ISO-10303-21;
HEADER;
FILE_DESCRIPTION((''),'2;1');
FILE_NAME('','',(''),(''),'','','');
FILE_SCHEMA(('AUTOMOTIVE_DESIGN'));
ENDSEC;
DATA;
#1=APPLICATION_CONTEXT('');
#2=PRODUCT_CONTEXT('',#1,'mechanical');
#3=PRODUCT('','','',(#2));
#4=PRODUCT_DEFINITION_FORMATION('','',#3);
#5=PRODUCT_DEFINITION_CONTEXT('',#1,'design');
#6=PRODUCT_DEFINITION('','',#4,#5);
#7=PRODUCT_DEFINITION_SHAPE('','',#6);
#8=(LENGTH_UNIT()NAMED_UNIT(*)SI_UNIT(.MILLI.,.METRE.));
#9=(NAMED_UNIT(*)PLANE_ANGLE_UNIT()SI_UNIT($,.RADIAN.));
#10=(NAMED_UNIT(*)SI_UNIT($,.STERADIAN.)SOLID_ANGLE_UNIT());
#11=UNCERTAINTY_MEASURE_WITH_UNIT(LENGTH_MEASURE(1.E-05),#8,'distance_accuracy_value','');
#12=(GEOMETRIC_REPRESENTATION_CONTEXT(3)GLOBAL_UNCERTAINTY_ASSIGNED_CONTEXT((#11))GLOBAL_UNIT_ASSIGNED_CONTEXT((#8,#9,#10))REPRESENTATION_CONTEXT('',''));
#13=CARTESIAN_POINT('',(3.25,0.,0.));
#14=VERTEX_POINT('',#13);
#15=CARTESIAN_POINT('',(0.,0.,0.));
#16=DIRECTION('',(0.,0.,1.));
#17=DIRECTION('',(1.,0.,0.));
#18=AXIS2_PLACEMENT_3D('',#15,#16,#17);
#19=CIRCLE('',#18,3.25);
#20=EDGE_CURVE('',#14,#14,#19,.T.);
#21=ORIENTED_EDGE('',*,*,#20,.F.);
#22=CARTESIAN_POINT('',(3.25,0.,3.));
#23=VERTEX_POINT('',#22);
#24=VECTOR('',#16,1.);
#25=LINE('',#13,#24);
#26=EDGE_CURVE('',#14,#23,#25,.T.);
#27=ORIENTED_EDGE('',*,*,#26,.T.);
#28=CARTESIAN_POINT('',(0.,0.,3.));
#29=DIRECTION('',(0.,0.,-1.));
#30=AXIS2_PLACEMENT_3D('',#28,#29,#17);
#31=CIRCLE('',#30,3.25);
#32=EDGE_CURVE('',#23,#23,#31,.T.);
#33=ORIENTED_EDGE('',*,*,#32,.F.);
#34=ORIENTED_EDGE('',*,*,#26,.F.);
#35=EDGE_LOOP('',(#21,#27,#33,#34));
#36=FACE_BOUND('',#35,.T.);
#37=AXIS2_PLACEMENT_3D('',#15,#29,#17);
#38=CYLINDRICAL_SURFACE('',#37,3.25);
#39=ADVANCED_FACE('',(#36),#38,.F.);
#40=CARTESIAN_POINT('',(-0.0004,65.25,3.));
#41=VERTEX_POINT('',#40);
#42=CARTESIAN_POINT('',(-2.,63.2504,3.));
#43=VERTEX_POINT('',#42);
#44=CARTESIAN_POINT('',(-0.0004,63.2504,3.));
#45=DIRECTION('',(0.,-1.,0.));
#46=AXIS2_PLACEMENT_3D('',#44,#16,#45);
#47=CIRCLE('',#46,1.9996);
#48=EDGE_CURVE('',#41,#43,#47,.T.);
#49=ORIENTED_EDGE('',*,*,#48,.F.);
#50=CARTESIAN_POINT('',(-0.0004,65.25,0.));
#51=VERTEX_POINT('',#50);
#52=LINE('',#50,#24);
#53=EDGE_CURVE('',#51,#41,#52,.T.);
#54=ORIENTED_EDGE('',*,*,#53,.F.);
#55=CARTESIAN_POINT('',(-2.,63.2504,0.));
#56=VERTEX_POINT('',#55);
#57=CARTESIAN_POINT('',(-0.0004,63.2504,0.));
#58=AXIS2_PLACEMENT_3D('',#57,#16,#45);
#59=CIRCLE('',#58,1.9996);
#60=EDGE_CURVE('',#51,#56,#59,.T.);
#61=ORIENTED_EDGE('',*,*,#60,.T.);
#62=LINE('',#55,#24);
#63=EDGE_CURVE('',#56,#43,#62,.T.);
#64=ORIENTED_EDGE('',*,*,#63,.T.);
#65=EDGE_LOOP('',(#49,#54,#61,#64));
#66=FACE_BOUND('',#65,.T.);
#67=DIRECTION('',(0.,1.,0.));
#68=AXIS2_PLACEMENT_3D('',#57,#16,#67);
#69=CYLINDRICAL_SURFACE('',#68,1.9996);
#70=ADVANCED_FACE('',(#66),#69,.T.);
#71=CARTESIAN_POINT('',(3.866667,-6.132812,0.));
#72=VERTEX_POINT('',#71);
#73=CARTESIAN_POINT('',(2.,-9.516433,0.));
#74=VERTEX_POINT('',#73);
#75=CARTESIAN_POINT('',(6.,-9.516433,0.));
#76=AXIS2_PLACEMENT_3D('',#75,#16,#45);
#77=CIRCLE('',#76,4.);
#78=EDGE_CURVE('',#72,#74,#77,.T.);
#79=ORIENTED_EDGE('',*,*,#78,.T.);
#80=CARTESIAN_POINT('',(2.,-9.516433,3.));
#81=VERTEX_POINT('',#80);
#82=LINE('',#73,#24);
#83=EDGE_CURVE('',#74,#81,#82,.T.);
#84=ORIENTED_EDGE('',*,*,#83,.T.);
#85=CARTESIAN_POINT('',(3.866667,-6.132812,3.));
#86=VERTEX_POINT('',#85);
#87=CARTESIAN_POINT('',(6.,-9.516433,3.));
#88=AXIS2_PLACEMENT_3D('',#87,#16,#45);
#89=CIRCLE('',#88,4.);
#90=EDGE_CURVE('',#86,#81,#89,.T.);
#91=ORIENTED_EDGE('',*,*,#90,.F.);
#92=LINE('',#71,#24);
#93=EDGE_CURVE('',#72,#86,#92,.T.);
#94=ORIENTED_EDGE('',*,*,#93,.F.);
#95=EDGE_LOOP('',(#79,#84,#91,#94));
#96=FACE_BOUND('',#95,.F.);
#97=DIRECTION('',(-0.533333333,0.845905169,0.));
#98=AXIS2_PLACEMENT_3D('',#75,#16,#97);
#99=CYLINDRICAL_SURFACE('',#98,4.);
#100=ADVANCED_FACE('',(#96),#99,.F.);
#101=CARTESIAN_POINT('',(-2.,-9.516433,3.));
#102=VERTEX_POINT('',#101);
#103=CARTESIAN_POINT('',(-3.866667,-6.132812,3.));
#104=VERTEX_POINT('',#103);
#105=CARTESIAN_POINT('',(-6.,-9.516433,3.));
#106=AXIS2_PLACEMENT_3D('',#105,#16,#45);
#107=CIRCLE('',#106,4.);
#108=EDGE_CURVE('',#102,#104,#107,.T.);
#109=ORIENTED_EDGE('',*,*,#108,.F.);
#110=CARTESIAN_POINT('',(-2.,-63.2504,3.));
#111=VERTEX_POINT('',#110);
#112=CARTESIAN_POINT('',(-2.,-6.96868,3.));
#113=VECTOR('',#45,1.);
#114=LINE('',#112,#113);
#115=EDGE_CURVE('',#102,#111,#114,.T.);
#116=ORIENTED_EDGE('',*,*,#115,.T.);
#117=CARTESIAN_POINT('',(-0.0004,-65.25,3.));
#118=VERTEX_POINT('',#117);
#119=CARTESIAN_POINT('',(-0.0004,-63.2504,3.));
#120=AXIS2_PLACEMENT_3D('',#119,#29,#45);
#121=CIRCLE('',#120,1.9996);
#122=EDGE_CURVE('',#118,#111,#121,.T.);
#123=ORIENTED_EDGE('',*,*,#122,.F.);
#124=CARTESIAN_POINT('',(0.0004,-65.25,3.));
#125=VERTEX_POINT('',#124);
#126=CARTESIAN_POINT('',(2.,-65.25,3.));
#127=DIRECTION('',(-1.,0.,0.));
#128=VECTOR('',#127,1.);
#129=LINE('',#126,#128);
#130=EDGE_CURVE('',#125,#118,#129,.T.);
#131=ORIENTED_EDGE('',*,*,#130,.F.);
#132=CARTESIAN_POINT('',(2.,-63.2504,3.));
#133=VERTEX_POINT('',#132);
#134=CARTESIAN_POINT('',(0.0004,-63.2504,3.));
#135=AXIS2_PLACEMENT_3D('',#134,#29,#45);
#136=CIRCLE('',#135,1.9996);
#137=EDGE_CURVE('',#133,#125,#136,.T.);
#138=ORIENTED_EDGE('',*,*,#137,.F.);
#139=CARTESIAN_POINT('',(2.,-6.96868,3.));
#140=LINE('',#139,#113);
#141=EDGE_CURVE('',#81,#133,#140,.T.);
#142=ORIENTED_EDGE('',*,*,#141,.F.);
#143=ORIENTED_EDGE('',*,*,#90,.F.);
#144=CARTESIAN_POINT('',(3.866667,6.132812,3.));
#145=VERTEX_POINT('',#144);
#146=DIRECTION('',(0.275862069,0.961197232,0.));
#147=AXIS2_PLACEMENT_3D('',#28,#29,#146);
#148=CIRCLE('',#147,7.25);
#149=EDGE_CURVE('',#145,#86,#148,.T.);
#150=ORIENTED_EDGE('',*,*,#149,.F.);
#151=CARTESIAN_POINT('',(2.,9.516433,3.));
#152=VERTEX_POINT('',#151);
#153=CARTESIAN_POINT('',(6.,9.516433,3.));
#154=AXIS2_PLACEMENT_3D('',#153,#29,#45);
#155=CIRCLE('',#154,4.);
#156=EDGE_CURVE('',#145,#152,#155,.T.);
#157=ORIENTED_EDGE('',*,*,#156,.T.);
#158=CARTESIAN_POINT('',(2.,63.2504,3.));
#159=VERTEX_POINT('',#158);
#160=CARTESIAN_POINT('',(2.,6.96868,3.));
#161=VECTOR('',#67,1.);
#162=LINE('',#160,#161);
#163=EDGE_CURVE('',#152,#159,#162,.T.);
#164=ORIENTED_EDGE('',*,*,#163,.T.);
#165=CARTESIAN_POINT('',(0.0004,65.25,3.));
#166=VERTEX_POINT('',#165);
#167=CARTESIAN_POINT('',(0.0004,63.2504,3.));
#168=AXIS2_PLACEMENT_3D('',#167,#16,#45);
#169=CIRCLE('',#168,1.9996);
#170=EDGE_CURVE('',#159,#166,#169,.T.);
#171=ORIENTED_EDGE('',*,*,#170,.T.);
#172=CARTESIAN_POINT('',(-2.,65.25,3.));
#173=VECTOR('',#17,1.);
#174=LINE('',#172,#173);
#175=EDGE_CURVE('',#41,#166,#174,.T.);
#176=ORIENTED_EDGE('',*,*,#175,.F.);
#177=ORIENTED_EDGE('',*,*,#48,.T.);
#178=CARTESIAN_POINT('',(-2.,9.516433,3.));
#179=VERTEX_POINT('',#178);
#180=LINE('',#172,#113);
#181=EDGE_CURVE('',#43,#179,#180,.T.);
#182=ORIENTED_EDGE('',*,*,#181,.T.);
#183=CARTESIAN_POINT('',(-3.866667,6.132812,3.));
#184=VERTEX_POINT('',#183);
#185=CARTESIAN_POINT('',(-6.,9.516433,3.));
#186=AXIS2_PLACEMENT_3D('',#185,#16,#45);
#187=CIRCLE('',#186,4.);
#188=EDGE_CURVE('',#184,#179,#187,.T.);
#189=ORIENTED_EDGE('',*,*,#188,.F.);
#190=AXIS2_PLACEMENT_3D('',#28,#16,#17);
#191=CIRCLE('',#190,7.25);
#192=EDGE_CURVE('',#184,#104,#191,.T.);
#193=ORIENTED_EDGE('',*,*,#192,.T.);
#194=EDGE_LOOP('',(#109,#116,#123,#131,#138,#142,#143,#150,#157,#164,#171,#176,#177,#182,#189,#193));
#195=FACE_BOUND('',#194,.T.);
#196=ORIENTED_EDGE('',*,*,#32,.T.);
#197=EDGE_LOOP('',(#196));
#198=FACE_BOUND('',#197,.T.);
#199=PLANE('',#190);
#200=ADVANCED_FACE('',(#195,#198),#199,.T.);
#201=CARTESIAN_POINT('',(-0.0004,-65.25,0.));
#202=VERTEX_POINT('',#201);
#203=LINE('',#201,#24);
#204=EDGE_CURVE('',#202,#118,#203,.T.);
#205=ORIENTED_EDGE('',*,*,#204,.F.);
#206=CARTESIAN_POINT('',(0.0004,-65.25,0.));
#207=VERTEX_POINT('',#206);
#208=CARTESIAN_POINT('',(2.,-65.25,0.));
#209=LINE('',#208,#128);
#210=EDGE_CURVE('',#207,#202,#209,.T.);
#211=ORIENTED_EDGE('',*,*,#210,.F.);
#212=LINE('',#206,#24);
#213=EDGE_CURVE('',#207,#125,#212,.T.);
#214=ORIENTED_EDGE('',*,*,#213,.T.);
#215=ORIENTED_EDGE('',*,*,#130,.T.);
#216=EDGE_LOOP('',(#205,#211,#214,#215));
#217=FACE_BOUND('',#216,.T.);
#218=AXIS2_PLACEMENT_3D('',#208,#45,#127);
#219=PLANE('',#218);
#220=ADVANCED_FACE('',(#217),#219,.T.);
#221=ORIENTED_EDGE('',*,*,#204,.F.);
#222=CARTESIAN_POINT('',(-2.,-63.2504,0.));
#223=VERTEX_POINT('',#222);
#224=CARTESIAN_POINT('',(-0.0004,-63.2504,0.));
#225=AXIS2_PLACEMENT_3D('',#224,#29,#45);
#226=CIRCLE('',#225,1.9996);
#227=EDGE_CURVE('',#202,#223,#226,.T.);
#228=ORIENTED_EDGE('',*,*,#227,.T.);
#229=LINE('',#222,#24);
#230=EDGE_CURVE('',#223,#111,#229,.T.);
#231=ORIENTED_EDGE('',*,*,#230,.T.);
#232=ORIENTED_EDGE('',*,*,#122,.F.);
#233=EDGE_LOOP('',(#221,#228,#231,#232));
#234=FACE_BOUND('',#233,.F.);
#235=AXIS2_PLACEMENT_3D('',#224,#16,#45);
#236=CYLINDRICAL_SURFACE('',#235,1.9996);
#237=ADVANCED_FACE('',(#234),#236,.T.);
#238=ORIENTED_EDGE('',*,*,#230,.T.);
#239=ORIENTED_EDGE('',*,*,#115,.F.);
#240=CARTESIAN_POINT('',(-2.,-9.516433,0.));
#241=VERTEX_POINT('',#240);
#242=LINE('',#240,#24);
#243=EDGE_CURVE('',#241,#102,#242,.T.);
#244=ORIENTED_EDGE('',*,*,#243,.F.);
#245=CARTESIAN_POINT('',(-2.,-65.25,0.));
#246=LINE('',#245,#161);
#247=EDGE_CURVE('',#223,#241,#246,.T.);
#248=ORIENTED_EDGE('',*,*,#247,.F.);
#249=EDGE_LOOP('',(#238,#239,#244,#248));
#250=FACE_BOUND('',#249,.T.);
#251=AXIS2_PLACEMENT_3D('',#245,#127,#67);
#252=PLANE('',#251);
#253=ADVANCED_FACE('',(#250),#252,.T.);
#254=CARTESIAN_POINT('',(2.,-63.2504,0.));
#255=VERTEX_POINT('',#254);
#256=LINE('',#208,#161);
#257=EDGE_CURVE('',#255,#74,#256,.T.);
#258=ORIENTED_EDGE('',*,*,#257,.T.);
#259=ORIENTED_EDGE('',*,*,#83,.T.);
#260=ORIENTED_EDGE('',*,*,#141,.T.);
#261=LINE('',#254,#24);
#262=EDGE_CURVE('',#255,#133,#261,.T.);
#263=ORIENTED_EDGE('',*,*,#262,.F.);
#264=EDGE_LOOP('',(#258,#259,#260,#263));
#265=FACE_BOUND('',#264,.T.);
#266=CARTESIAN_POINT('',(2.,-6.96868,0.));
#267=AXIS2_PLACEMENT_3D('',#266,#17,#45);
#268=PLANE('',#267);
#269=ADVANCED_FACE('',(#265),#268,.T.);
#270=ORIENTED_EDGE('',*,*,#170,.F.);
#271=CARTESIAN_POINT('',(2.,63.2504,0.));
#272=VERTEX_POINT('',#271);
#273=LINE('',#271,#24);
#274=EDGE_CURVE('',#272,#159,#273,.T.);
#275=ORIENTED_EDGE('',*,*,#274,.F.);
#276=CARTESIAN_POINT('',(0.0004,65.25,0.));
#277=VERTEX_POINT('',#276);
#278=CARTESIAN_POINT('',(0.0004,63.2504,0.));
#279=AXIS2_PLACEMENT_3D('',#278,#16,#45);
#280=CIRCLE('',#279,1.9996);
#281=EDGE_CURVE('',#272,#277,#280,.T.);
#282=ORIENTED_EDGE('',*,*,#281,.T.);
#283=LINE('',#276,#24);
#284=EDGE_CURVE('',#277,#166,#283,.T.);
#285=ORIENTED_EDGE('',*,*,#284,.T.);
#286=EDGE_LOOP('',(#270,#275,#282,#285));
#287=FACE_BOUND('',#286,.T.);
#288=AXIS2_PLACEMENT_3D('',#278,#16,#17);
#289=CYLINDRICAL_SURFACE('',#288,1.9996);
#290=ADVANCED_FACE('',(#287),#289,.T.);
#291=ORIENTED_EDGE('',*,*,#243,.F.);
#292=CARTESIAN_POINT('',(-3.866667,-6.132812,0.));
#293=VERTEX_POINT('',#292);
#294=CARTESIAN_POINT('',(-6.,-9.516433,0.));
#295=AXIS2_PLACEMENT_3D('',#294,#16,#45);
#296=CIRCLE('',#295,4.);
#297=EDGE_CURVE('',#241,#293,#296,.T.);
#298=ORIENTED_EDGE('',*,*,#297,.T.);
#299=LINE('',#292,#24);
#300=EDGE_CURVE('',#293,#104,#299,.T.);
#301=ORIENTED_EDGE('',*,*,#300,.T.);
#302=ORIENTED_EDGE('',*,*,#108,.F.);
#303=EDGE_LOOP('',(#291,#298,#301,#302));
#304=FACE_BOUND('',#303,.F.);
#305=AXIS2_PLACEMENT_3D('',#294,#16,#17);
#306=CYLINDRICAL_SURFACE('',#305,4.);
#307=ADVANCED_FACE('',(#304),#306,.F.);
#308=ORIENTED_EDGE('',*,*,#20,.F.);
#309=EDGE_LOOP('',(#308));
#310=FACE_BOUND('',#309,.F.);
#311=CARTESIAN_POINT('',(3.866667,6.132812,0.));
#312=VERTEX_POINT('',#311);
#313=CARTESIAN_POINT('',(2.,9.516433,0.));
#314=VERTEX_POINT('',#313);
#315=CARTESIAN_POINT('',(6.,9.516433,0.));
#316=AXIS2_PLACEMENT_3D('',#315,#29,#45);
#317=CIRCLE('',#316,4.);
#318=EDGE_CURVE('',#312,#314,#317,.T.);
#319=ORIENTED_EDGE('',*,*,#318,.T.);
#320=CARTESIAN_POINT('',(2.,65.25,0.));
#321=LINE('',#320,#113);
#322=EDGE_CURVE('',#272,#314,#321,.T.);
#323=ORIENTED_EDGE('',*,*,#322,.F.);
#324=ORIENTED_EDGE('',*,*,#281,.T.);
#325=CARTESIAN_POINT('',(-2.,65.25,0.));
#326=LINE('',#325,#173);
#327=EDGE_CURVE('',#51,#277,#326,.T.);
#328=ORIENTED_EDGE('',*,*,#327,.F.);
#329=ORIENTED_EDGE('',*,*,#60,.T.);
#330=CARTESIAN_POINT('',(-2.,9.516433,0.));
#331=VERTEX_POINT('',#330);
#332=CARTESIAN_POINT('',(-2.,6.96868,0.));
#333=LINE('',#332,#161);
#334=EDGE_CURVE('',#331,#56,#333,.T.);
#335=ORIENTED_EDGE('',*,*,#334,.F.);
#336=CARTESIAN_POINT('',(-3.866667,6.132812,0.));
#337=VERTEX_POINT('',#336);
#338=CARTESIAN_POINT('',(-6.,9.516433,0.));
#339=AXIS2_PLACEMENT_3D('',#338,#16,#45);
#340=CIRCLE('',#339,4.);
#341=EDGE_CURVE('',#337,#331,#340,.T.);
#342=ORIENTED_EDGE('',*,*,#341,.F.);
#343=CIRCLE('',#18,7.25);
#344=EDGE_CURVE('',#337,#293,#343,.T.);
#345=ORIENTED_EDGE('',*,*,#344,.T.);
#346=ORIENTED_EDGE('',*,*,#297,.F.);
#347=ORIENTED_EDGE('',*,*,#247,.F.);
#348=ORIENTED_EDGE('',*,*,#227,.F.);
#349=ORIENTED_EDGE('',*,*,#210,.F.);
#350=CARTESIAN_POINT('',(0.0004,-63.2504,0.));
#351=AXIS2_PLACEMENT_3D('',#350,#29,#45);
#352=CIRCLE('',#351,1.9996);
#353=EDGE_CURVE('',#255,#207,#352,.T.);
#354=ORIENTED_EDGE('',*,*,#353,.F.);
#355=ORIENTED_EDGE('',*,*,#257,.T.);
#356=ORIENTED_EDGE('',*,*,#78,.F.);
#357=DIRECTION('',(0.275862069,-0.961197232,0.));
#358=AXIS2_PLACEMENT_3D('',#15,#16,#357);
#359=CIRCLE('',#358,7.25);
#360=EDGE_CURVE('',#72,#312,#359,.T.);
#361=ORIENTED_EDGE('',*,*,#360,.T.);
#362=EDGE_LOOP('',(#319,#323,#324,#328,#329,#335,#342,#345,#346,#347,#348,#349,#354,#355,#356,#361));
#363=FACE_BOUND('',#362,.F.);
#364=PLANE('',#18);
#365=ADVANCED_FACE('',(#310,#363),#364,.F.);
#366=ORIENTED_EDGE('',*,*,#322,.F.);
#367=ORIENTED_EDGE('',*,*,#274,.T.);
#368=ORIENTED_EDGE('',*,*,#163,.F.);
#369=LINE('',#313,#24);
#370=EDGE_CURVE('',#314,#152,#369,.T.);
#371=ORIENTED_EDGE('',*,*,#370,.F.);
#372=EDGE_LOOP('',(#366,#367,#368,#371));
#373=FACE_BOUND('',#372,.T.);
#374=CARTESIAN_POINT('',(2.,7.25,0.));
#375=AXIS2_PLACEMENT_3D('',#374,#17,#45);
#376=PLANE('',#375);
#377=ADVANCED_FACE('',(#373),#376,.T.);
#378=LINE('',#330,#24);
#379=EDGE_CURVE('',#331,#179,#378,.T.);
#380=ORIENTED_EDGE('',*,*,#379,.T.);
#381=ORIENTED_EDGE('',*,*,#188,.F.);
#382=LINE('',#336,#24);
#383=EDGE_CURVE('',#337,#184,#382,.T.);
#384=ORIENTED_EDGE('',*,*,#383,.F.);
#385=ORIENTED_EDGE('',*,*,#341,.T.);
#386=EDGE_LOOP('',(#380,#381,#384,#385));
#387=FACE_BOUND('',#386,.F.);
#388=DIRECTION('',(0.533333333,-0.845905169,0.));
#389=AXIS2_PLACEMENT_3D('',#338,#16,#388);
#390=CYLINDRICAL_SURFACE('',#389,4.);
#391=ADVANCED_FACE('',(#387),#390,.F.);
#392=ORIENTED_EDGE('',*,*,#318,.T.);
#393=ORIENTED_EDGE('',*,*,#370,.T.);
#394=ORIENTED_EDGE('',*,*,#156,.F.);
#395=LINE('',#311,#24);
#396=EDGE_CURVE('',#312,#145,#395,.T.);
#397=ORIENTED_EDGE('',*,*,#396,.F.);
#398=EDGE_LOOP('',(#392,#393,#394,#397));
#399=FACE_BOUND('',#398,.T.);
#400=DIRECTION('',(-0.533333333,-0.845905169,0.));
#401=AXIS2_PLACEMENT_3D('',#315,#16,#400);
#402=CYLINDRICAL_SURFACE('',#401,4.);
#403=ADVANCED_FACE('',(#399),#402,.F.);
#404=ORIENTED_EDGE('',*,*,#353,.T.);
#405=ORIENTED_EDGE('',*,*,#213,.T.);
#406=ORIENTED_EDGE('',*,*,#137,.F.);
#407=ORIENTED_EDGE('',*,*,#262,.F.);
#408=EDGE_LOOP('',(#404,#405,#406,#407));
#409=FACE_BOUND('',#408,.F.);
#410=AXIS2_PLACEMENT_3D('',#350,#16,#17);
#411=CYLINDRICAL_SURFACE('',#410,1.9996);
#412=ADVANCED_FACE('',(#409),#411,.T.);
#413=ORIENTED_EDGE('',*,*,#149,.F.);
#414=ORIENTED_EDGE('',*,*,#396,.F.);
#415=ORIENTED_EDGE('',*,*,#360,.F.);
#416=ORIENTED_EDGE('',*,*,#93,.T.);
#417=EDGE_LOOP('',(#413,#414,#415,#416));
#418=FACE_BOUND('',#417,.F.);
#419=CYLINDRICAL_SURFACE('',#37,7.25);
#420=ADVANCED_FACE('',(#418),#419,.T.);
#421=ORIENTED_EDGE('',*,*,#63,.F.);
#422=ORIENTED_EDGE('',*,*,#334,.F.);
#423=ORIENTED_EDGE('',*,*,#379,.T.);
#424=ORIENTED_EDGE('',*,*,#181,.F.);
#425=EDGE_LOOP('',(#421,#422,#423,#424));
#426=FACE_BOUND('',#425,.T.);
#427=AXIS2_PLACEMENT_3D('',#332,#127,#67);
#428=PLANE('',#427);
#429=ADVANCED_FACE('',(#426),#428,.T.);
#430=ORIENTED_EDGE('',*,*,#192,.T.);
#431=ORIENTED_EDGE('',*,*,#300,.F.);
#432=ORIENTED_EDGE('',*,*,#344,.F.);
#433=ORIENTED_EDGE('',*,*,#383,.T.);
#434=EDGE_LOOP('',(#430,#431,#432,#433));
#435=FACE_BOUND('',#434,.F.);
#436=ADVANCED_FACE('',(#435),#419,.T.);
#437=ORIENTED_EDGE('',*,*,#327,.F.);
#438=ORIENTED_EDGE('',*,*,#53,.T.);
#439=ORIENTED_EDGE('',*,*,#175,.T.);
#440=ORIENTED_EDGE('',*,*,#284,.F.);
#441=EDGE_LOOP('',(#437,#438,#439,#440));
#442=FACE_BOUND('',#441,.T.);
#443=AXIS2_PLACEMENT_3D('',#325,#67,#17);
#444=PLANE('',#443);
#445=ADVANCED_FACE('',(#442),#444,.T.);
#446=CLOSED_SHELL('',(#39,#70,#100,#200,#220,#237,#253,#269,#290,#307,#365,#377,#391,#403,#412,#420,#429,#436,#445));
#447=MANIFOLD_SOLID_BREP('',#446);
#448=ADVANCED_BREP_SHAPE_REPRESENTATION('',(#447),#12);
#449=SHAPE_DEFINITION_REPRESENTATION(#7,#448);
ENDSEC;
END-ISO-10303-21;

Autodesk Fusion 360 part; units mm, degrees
sketch "Mixer arm" plane through (0, 0, 0) normal (0, 0, 1) x (1, 0, 0)
  circle A0 centre (0, 0) radius 7.25
  circle A1 centre (0, 0) radius 3.25
  line L0 (-2, 65.25) -> (2, 65.25)
  line L1 (2, 65.25) -> (2, 3.25)
  line L2 (2, 3.25) -> (-2, 3.25)
  line L3 (-2, 3.25) -> (-2, 65.25)
  line L4 (-2, -3.25) -> (2, -3.25)
  line L5 (2, -3.25) -> (2, -65.25)
  line L6 (2, -65.25) -> (-2, -65.25)
  line L7 (-2, -65.25) -> (-2, -3.25)
  line L8 (-2, -7.25) -> (2, -7.25)
  line L9 (-2, 7.25) -> (2, 7.25)
  dimension "d3" = 6.5
  dimension "d5" = 14.5
  dimension "d6" = 2
  dimension "d7" = 2
  dimension "d8" = 2
  dimension "d9" = 2
  dimension "d14" = 58
  dimension "d15" = 58
extrude "Extrude1" add sketch "Mixer arm" along normal blind 3 contours A0 A1 L1 L2 L4 L5 | A0 L1 L2 L3 | A0 L1 L9 | A0 L5 L8 | A0 L4 L5 L7 | A0 L3 L9 | L0 L1 L3 L9 | A0 L7 L8 | L5 L6 L7 L8 | A0 A1 L2 L3 L4 L7
fillet "Fillet1" radius 4 4 edges at (2, -6.9687, 1.5) (2, 6.9687, 1.5) (-2, 6.9687, 1.5) (-2, -6.9687, 1.5)
fillet "Fillet2" radius 2 4 edges at (2, 65.25, 1.5) (-2, 65.25, 1.5) (-2, -65.25, 1.5) (2, -65.25, 1.5)
equation "stainless_steel_thickness = 3 mm" comment "The thickness of the 316 stainless steel sheets to laser cut."
equation "hole_diameter = 6.5 mm"
equation "d3 = hole_diameter"
equation "arm_thickness = 4 mm"
equation "d5 = hole_diameter + 2 * arm_thickness"
equation "d6 = arm_thickness / 2"
equation "d7 = arm_thickness / 2"
equation "d8 = arm_thickness / 2"
equation "d9 = arm_thickness / 2"
equation "d10 = stainless_steel_thickness"
equation "arm_length_front = 58 mm"
equation "arm_length_back = 58 mm"
equation "d14 = arm_length_front"
equation "d15 = arm_length_back"
equation "d17 = arm_thickness"
equation "d19 = arm_thickness / 2"
